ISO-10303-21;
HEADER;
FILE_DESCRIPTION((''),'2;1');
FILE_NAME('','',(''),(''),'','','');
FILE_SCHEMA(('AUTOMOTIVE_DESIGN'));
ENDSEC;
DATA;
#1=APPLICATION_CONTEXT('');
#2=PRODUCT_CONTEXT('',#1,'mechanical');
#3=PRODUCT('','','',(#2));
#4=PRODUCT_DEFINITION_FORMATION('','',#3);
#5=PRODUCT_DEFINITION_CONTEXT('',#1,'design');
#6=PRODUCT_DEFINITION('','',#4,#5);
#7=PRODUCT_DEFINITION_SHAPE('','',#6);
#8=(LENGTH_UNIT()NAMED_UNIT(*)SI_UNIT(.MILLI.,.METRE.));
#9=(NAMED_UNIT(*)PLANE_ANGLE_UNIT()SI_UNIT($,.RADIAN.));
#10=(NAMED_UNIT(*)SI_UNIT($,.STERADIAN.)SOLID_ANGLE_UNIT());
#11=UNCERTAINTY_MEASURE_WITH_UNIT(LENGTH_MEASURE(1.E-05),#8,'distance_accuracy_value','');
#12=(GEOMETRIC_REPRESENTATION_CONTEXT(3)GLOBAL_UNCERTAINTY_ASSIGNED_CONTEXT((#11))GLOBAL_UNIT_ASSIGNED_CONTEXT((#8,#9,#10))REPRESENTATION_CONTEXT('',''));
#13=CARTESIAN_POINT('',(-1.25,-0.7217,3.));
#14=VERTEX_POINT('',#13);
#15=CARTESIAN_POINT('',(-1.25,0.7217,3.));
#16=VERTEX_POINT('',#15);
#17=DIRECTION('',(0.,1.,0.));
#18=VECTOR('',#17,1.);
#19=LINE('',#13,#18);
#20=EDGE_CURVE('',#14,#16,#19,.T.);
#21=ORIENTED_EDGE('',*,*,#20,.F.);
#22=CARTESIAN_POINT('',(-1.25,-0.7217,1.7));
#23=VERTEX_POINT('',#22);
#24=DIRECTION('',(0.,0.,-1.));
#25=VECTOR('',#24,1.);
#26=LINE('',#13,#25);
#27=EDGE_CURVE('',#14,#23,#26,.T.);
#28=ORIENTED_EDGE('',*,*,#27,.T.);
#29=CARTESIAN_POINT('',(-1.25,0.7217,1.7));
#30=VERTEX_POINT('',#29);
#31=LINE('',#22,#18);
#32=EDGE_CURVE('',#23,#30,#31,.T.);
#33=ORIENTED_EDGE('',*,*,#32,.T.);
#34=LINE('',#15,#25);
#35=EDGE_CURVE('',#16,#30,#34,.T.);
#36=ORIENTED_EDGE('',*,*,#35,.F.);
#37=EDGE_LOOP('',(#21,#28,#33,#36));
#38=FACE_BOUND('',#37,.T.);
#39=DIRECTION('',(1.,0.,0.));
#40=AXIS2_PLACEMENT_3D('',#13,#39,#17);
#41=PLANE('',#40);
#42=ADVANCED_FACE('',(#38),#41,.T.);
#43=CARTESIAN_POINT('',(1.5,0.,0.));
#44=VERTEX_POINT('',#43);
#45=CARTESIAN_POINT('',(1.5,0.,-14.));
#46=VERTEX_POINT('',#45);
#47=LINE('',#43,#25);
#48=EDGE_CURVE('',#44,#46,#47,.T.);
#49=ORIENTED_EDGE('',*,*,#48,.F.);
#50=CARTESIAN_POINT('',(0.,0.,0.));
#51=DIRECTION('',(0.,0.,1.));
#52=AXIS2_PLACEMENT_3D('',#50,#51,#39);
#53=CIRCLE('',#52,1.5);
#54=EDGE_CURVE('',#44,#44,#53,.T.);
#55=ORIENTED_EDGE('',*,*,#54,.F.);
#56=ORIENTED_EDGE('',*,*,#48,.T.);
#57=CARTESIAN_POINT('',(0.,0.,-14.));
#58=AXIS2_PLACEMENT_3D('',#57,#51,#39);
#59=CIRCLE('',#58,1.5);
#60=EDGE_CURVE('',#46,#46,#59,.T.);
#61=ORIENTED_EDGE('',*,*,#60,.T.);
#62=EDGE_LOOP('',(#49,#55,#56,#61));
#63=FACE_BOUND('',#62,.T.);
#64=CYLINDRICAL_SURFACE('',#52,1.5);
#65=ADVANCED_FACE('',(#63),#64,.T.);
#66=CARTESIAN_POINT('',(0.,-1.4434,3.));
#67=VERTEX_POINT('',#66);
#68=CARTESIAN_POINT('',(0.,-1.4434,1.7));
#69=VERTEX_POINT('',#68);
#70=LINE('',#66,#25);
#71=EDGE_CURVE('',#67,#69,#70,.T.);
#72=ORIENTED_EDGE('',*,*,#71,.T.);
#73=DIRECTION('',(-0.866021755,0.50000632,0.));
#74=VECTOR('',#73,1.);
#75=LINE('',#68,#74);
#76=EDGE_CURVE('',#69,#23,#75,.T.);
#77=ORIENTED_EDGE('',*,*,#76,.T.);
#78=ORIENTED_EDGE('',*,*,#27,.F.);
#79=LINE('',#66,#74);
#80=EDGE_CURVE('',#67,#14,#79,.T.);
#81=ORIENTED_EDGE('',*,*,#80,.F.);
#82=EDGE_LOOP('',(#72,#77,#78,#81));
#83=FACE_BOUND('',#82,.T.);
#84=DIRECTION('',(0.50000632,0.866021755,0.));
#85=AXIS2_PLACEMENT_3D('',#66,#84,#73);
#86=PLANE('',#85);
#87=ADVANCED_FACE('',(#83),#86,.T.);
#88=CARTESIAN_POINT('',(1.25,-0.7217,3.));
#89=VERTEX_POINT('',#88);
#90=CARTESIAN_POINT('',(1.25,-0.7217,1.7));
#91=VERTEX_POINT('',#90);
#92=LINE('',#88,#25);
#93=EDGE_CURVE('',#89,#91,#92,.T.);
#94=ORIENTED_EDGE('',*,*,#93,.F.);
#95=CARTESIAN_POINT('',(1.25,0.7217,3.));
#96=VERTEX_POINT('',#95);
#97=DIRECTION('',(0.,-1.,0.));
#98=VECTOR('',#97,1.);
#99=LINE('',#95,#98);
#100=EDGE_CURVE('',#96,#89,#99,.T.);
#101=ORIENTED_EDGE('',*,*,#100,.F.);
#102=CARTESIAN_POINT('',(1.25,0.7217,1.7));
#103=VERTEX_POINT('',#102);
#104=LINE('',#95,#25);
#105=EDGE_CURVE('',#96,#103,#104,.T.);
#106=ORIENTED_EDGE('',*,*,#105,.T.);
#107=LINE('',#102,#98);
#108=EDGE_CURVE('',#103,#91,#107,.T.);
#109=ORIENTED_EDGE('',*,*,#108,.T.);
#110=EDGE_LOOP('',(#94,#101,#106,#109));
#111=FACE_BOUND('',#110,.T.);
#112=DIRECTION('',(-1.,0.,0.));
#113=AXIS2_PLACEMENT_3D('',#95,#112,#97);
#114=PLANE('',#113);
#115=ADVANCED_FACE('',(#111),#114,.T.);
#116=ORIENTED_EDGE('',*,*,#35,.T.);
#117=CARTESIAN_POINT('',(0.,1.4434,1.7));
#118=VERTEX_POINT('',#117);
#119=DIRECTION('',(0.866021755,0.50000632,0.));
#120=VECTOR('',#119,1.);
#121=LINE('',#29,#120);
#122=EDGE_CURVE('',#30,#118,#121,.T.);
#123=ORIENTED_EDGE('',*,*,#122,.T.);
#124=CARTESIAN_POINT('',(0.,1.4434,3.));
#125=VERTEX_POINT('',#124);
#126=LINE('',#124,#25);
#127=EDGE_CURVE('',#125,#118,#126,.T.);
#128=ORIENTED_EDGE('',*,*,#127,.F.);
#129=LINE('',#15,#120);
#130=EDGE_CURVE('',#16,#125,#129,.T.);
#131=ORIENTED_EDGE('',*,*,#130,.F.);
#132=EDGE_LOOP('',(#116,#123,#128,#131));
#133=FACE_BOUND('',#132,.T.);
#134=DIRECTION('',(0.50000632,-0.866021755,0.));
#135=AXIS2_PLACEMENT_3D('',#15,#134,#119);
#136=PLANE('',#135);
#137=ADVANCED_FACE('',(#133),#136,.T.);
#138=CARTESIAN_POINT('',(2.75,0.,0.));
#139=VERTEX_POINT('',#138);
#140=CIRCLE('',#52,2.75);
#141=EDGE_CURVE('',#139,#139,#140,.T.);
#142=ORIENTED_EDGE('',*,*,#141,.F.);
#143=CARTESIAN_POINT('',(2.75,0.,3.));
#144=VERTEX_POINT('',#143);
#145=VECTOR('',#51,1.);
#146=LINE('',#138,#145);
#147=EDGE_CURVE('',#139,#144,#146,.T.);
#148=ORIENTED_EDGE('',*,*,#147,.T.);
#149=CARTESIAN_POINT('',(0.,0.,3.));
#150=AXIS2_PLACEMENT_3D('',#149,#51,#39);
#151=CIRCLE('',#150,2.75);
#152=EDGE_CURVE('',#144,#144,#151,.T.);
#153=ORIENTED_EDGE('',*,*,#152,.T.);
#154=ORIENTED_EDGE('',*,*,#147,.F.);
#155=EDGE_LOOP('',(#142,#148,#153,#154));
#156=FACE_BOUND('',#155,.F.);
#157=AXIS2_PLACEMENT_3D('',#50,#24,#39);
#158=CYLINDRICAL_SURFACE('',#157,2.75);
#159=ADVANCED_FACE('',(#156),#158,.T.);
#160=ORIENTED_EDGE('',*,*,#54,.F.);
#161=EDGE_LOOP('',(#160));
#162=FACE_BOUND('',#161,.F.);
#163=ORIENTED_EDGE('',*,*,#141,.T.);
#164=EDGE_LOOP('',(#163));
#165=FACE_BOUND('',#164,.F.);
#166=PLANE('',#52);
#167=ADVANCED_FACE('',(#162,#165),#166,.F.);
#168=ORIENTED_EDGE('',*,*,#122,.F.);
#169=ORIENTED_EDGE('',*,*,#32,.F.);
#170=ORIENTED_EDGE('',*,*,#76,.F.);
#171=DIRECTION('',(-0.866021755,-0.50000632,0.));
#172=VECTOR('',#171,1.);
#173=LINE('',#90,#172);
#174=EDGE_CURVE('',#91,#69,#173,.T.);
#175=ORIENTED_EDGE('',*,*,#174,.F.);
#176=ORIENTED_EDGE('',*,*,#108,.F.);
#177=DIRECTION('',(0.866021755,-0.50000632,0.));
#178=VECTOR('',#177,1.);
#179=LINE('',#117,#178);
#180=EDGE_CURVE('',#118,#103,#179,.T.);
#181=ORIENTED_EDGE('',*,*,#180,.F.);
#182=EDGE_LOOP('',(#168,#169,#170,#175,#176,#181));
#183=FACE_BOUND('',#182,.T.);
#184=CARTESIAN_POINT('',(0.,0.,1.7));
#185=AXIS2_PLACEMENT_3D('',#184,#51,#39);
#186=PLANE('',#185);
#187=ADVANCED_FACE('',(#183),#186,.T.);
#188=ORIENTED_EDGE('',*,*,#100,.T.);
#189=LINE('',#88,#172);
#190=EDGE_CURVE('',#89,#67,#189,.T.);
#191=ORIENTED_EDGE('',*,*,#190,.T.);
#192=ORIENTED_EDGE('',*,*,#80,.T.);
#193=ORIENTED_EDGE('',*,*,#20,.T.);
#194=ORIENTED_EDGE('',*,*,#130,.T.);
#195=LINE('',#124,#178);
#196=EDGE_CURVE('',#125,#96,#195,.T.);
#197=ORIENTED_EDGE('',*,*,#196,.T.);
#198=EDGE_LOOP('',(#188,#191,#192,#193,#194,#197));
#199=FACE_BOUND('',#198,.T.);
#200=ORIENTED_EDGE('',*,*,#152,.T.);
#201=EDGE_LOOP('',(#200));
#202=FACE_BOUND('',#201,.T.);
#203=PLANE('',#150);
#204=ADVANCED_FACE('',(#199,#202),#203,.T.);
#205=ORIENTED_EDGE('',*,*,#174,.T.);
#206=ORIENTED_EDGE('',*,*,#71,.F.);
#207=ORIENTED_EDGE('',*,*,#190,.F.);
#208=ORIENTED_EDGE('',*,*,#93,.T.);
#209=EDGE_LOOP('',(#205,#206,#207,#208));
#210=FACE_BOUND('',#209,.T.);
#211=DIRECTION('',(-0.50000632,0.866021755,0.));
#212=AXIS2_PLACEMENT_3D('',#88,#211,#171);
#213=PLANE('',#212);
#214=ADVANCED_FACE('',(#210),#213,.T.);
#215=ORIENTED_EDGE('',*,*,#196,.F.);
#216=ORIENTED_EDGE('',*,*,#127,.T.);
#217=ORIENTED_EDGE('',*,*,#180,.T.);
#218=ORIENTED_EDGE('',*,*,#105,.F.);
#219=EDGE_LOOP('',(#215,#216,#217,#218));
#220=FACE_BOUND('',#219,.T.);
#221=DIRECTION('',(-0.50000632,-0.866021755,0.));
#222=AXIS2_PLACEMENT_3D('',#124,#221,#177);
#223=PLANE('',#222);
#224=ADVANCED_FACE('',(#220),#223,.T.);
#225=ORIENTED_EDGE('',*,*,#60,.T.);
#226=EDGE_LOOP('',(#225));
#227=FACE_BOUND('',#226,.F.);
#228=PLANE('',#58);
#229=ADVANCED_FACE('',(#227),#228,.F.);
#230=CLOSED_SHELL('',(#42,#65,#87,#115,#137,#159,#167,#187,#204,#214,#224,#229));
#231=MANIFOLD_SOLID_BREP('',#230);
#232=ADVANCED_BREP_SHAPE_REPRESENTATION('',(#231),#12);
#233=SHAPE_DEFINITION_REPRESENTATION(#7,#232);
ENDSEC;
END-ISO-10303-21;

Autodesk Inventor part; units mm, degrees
ref_plane "YZ Plane" through (0, 0, 0) normal (1, 0, 0) x (0, 1, 0)
ref_plane "XZ Plane" through (0, 0, 0) normal (0, 1, 0) x (-1, 0, 0)
ref_plane "XY Plane" through (0, 0, 0) normal (0, 0, 1) x (1, 0, 0)
sketch "スケッチ1" plane through (0, 0, 0) normal (0, 0, 1) x (1, 0, 0)
  circle A0 centre (0, 0) radius 1.5
  dimension "d0" = 3
extrude "押し出し1" add sketch "スケッチ1" against normal blind 14
sketch "スケッチ2" plane through (0, 0, 0) normal (0, 0, 1) x (1, 0, 0)
  circle A0 centre (0, 0) radius 2.75
  dimension "d3" = 5.5
extrude "押し出し2" add sketch "スケッチ2" along normal blind 3
sketch "スケッチ3" plane through (0, 0, 3) normal (0, 0, 1) x (1, 0, 0)
  line L0 (0, 1.4434) -> (1.25, 0.7217)
  line L1 (1.25, 0.7217) -> (1.25, -0.7217)
  line L2 (1.25, -0.7217) -> (0, -1.4434)
  line L3 (0, -1.4434) -> (-1.25, -0.7217)
  line L4 (-1.25, -0.7217) -> (-1.25, 0.7217)
  line L5 (-1.25, 0.7217) -> (0, 1.4434)
  point P0 (0, 0)
  point P1 (0, 0)
  dimension "d6" = 2.5
extrude "押し出し3" cut sketch "スケッチ3" against normal blind 1.3
thread "ねじ1" size "M3x0.5" class "6g" standard "ANSI Metric M Profile" full length
properties part number "M3キャップボルト 14" material "鋼、高強度、低合金"
